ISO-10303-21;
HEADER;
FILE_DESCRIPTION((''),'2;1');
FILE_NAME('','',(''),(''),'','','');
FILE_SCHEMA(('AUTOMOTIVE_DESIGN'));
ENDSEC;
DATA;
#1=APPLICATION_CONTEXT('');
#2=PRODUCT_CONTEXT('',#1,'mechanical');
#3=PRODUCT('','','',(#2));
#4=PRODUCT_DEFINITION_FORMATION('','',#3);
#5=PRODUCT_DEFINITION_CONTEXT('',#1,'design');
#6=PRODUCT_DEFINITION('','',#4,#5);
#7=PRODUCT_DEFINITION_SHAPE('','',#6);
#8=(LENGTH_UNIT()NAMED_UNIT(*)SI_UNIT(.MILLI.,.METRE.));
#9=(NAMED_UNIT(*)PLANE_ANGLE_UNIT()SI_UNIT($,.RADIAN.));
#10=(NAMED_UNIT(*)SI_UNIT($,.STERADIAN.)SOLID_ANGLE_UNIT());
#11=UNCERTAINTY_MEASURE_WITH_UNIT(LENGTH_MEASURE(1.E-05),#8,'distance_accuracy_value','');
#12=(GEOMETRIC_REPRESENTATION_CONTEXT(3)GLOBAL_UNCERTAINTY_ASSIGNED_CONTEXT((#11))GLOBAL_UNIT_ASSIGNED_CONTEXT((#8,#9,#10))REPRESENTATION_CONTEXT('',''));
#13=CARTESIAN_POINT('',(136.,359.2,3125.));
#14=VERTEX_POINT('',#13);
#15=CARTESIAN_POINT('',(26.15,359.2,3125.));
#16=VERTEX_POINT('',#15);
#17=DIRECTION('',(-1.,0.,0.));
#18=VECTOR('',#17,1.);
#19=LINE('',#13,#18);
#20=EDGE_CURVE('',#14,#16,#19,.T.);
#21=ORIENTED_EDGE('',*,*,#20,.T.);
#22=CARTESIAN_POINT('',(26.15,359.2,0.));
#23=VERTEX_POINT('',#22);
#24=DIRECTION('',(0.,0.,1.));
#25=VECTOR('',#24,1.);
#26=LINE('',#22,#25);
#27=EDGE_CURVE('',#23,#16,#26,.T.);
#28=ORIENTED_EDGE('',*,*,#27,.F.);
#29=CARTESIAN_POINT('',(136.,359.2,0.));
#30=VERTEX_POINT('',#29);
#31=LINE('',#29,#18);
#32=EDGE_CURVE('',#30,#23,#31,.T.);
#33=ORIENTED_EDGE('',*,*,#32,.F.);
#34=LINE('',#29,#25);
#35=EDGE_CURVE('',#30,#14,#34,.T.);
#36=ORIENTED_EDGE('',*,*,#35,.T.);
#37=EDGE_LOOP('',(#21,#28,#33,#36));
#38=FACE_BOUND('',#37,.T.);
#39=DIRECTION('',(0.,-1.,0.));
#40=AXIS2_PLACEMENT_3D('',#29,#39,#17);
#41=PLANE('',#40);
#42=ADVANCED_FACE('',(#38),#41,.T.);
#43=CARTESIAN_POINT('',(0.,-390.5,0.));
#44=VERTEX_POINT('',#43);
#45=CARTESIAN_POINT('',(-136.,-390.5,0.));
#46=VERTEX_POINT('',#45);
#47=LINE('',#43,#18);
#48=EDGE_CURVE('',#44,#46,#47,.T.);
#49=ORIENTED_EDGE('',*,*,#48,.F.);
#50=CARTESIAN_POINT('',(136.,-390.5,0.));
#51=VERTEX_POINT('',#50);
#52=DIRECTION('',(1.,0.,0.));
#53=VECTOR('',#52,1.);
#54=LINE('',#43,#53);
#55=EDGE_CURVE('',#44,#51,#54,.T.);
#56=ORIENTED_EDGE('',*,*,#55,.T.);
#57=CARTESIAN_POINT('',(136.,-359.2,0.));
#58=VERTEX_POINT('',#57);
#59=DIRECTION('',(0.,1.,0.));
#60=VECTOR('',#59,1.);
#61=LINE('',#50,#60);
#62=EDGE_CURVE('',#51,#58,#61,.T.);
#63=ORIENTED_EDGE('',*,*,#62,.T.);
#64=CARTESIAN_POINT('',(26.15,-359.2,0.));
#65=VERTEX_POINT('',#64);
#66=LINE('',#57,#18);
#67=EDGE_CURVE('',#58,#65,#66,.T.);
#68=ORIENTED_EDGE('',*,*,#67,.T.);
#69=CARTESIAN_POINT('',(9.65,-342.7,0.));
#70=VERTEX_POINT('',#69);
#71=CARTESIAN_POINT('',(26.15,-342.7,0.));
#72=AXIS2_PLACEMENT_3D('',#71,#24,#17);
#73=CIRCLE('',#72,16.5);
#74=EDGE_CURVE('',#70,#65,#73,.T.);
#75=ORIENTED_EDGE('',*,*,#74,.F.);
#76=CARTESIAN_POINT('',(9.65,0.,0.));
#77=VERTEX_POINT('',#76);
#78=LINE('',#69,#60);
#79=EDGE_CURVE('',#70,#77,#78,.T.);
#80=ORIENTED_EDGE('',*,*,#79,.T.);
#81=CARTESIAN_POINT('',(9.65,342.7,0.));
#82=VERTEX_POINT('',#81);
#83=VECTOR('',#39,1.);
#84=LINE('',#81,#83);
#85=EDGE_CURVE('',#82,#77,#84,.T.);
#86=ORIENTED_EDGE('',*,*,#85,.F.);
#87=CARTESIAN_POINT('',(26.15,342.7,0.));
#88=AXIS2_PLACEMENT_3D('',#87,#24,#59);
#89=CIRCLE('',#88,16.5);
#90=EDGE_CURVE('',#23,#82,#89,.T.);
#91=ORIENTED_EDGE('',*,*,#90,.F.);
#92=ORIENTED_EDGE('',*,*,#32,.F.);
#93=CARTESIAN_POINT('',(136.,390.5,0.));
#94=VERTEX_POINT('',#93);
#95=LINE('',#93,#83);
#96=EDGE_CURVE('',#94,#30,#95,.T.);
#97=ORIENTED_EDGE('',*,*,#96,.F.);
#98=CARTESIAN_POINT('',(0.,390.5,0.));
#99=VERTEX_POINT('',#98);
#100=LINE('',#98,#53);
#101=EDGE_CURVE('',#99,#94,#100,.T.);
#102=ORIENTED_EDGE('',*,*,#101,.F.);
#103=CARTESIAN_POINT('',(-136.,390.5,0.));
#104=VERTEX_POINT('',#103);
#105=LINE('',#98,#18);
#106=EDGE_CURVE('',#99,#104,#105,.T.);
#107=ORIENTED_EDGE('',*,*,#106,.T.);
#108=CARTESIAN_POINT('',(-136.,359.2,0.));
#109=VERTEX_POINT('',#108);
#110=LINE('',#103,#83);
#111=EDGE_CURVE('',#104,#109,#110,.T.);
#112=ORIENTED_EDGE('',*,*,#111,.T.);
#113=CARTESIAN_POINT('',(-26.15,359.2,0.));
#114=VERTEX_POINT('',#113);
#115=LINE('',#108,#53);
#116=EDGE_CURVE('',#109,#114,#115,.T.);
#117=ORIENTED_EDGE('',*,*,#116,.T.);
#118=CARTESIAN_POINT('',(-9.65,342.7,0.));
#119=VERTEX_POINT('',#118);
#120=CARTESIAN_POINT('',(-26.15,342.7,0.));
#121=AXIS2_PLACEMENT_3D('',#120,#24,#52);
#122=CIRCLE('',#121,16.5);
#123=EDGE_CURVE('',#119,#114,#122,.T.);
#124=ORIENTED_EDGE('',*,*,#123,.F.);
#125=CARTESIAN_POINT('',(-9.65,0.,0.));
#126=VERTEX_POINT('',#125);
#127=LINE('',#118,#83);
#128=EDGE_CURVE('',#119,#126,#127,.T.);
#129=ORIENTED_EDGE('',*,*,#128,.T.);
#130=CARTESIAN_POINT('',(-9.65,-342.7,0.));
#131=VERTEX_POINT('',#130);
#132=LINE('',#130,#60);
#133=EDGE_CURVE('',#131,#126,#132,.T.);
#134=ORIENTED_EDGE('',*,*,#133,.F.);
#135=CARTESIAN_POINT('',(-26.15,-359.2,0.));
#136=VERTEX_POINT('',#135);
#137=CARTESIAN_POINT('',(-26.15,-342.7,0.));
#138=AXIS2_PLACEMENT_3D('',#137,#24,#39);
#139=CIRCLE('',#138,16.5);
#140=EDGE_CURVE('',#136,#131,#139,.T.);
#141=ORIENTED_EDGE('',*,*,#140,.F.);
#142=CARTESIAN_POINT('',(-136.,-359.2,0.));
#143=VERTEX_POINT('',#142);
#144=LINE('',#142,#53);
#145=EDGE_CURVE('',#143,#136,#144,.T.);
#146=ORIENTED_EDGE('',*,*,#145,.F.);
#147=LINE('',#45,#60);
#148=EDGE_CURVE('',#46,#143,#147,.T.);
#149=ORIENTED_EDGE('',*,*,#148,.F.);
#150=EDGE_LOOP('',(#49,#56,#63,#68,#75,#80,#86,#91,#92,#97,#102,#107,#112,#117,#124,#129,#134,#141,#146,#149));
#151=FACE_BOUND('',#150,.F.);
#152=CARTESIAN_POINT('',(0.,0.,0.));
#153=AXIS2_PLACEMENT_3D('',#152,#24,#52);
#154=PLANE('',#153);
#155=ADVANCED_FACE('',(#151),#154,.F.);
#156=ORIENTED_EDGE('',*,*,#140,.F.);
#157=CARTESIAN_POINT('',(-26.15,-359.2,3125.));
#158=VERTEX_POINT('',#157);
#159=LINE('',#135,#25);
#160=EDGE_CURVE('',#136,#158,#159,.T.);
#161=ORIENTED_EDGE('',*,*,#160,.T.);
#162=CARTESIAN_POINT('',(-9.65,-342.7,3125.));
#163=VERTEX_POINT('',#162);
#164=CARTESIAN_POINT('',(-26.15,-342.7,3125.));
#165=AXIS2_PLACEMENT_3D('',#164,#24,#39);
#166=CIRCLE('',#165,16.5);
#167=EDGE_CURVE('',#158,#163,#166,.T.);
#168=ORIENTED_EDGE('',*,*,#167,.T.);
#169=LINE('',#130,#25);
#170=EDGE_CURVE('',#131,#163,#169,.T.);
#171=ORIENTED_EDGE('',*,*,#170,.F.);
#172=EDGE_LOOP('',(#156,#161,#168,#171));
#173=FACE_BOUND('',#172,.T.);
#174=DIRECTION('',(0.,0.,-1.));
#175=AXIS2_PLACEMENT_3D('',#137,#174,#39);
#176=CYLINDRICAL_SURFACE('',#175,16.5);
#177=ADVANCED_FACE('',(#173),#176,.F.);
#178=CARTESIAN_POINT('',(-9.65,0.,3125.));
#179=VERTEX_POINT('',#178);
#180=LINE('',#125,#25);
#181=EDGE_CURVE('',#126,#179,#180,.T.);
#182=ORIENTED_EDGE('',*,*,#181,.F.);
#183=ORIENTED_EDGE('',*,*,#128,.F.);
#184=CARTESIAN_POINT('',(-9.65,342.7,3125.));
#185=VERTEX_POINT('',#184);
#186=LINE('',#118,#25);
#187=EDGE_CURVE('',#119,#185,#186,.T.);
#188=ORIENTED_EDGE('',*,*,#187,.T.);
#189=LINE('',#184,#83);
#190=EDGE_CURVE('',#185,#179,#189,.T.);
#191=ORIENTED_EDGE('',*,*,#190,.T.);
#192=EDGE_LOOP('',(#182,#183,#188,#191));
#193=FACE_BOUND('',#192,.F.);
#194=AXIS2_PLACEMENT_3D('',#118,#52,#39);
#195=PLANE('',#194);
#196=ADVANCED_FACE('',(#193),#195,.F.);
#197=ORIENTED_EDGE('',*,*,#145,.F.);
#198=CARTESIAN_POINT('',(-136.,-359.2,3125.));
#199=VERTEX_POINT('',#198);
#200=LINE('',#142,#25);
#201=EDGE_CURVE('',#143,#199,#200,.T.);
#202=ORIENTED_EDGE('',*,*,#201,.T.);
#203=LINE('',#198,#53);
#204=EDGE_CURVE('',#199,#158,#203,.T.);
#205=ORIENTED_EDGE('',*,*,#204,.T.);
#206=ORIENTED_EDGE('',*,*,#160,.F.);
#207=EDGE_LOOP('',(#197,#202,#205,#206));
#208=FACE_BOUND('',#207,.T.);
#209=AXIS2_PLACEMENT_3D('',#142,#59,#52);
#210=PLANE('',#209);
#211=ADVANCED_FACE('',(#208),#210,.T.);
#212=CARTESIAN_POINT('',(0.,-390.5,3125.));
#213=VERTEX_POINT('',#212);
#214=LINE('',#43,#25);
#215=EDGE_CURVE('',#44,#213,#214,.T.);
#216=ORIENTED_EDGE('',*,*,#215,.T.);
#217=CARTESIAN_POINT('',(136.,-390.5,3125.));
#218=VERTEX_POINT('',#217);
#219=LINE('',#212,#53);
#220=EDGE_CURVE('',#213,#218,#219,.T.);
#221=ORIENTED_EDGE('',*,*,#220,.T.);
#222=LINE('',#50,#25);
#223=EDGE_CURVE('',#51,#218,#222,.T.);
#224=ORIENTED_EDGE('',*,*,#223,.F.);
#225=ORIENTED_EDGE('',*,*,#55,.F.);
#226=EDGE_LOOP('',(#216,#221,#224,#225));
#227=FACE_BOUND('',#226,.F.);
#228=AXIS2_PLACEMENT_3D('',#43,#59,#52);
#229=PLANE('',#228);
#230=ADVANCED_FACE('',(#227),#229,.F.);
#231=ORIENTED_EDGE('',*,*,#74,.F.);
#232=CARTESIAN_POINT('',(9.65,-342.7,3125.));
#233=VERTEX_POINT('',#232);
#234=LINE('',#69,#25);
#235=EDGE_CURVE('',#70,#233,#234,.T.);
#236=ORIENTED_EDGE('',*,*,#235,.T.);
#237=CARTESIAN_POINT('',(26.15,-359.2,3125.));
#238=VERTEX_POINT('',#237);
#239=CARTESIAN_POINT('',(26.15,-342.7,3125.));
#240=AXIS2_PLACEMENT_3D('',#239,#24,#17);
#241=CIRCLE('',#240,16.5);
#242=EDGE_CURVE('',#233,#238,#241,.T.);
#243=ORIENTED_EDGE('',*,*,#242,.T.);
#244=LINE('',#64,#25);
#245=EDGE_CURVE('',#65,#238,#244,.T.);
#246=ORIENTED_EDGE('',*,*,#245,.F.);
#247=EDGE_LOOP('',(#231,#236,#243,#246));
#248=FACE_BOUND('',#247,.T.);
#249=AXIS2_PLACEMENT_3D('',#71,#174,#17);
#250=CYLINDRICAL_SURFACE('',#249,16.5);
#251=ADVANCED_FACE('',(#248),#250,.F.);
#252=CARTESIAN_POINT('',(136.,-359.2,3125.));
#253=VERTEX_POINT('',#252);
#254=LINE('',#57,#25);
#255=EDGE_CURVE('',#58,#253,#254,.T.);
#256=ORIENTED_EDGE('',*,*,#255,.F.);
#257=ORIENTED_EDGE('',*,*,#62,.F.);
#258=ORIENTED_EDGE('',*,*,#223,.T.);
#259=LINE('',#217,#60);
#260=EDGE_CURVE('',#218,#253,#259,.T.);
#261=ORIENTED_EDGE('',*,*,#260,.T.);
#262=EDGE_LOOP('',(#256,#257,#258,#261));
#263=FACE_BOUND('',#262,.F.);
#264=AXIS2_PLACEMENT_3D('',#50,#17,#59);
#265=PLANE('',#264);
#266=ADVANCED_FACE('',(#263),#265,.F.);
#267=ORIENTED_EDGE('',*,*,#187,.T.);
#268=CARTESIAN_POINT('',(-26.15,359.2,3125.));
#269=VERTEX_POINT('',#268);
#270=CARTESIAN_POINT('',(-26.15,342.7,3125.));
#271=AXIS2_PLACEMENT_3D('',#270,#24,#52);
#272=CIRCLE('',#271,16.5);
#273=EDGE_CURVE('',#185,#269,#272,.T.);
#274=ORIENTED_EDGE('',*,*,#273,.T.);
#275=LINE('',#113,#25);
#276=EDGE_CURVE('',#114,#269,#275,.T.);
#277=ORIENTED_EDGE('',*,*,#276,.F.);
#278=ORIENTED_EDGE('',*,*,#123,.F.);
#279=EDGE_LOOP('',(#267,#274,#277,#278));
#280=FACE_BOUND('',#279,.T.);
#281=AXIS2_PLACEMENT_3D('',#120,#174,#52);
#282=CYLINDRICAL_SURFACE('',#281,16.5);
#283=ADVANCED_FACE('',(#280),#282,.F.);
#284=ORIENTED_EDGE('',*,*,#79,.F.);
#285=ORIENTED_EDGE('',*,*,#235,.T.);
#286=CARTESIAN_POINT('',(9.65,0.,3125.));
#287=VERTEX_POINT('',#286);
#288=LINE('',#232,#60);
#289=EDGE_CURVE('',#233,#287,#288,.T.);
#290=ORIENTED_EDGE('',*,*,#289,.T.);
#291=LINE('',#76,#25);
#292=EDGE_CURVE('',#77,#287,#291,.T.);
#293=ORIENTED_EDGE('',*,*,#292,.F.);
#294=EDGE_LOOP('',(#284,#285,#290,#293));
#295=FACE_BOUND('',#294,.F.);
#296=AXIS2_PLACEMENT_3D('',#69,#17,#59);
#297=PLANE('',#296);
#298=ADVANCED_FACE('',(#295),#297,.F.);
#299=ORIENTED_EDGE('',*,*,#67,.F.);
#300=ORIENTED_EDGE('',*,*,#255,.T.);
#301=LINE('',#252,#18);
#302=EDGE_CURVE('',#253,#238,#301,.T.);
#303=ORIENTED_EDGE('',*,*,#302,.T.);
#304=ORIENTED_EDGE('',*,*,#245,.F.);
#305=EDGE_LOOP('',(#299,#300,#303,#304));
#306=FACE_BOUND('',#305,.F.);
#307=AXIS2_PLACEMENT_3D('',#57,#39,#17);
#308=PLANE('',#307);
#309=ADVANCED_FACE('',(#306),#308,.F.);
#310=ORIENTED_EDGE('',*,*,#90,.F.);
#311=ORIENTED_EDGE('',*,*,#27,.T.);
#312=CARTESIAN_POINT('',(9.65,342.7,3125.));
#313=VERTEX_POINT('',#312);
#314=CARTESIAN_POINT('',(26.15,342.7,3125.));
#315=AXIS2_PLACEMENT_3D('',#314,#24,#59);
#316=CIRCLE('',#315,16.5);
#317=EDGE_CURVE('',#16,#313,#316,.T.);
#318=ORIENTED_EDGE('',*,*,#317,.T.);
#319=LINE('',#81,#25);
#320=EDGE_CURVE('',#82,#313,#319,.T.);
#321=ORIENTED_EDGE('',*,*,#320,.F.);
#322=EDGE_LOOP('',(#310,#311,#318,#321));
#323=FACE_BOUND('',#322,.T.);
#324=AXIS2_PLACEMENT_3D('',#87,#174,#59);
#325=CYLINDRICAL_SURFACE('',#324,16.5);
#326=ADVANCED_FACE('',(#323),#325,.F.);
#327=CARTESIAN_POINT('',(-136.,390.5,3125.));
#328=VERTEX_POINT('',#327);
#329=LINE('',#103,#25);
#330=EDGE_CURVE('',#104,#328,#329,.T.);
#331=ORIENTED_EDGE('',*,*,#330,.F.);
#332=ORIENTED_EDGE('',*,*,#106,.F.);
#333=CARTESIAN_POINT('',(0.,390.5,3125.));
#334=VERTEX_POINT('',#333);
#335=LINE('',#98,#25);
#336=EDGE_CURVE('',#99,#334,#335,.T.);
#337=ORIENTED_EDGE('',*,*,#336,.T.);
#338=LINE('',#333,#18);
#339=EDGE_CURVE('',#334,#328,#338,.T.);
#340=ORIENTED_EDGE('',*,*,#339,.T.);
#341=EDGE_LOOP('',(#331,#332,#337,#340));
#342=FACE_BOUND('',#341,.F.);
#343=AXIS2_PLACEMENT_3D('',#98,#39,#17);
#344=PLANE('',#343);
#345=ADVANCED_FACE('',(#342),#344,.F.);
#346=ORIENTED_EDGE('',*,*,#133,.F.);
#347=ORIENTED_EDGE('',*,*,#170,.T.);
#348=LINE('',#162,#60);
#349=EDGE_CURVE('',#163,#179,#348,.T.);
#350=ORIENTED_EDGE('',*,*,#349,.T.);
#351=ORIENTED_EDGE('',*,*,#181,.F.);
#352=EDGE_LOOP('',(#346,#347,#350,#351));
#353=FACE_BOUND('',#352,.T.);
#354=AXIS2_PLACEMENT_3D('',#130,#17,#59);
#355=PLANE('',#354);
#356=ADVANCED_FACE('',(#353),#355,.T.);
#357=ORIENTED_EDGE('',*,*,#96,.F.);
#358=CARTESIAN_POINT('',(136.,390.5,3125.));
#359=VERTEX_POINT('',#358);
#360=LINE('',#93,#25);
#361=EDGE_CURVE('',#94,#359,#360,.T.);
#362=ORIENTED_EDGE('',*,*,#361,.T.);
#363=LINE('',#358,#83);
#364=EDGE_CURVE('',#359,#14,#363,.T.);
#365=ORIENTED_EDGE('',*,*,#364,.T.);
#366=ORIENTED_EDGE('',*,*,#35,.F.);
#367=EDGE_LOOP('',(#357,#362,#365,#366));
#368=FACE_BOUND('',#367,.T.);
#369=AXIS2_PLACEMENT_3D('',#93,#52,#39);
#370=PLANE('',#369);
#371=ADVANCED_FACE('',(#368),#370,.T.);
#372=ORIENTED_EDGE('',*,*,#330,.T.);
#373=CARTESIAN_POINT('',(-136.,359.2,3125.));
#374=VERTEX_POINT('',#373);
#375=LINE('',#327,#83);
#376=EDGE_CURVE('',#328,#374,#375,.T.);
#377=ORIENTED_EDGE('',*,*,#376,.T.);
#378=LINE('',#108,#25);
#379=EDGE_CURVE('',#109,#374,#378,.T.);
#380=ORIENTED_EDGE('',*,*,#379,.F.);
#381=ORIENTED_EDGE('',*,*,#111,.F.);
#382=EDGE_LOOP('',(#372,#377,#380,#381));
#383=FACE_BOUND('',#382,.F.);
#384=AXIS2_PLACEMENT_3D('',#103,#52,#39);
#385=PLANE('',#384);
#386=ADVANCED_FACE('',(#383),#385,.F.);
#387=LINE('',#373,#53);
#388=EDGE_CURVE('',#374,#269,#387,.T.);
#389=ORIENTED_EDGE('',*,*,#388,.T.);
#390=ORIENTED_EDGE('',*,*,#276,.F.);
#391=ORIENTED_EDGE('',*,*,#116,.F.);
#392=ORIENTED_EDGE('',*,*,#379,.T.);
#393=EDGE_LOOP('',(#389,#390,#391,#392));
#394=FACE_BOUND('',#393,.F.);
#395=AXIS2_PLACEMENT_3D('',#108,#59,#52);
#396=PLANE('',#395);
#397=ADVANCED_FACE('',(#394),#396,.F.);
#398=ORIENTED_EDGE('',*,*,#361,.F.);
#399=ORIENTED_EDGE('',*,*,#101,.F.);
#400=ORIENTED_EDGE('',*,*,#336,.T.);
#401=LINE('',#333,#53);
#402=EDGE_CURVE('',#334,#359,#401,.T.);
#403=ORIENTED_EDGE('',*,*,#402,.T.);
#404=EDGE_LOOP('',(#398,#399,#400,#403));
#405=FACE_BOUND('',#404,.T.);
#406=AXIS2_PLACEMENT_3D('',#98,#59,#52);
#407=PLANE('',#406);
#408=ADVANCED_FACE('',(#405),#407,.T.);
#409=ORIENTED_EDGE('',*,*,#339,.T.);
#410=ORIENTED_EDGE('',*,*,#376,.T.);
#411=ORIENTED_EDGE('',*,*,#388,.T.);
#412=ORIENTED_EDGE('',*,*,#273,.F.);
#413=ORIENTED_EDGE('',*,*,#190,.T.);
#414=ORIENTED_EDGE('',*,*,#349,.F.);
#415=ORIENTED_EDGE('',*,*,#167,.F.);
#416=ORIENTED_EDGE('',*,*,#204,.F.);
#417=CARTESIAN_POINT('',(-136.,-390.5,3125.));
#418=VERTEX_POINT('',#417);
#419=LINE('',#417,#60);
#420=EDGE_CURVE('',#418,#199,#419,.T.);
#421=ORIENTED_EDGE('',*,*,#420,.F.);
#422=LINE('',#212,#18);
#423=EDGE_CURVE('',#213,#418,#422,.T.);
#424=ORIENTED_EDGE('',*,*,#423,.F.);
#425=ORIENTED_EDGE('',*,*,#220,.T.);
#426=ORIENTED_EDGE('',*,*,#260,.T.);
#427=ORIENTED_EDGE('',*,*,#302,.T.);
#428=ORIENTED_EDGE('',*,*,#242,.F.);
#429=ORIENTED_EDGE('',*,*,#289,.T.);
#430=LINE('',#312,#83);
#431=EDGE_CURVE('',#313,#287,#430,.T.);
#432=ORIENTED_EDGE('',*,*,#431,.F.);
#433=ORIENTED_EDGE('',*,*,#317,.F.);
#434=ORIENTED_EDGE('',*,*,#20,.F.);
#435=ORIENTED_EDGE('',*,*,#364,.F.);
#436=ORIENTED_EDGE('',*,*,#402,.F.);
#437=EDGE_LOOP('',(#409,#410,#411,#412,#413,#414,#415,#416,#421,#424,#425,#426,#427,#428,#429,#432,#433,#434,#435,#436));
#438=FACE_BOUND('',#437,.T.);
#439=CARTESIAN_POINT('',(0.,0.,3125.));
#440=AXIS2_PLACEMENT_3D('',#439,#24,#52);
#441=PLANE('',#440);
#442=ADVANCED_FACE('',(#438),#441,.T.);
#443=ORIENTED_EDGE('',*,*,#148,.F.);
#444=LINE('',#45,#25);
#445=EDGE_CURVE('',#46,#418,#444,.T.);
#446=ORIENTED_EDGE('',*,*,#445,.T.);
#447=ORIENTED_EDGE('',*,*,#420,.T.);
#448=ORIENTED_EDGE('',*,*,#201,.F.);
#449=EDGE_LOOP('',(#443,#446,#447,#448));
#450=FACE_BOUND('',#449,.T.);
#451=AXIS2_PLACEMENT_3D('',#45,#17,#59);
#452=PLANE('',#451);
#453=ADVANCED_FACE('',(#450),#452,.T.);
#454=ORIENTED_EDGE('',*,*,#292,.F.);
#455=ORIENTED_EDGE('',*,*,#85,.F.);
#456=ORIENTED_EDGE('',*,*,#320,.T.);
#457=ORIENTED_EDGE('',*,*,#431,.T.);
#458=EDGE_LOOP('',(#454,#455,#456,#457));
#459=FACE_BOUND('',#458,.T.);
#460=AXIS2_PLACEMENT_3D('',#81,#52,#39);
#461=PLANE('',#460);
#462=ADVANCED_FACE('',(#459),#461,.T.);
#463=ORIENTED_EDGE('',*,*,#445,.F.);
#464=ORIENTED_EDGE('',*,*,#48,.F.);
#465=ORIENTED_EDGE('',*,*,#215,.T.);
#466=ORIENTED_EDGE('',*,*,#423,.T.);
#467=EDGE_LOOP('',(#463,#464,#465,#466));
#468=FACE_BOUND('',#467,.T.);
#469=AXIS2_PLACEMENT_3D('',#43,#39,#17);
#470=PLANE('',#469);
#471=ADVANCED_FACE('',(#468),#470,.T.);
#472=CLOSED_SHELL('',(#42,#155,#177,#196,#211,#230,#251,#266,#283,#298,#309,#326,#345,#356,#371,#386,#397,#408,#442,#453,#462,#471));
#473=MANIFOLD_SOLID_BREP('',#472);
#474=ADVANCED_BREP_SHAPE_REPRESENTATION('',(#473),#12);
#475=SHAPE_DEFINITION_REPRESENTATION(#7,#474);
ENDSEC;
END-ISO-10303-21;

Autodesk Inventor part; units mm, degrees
ref_plane "YZ Plane" through (0, 0, 0) normal (1, 0, 0) x (0, 1, 0)
ref_plane "Start plane" through (0, 0, 0) normal (0, 0, 1) x (1, 0, 0)
ref_plane "End plane" through (0, 0, 3125) normal (0, 0, 1) x (1, 0, 0)
sketch "Sketch" plane through (0, 0, 0) normal (0, 0, 1) x (1, 0, 0)
  line L0 (-136, -390.5) -> (-136, -359.2)
  line L1 (-136, -359.2) -> (-26.15, -359.2)
  line L2 (-9.65, -342.7) -> (-9.65, 0)
  line L3 (-9.65, 0) -> (0, 0) construction
  line L4 (0, 0) -> (0, -390.5) construction
  line L5 (0, -390.5) -> (-136, -390.5)
  line L6 (-60, 0) -> (80, 0) construction
  line L7 (0, -60) -> (0, 80) construction
  line L8 (136, -390.5) -> (136, -359.2)
  line L9 (136, -359.2) -> (26.15, -359.2)
  line L10 (9.65, -342.7) -> (9.65, 0)
  line L11 (9.65, 0) -> (0, 0) construction
  line L12 (0, -390.5) -> (136, -390.5)
  line L13 (-136, 390.5) -> (-136, 359.2)
  line L14 (-136, 359.2) -> (-26.15, 359.2)
  line L15 (-9.65, 342.7) -> (-9.65, 0)
  line L16 (0, 390.5) -> (-136, 390.5)
  line L17 (136, 390.5) -> (136, 359.2)
  line L18 (136, 359.2) -> (26.15, 359.2)
  line L19 (0, 390.5) -> (136, 390.5)
  line L20 (9.65, 342.7) -> (9.65, 0)
  arc A0 (-9.65, 342.7) -> (-26.15, 359.2) centre (-26.15, 342.7) ccw
  arc A1 (26.15, 359.2) -> (9.65, 342.7) centre (26.15, 342.7) ccw
  arc A2 (9.65, -342.7) -> (26.15, -359.2) centre (26.15, -342.7) ccw
  arc A3 (-26.15, -359.2) -> (-9.65, -342.7) centre (-26.15, -342.7) ccw
  line L21 (0, 108) -> (0, -88) construction
  line L22 (-88, 0) -> (108, 0) construction
  point P0 (-9.65, -359.2)
  point P1 (9.65, -359.2)
  point P2 (-9.65, 359.2)
  point P3 (9.65, 359.2)
  dimension "d1" = 390.5
  dimension "d2" = 31.3
  dimension "d3" = 136
  dimension "d4" = 9.65
  dimension "d10" = 16.5
extrude "Body" add sketch "Sketch" along normal up to surface (3125 mm away) from surface at 0
sketch "Sketch4" plane through (0, 0, 0) normal (0, 0, 1) x (1, 0, 0)
  line L0 (0, 0) -> (10, 0)
ref_plane "Work Plane3" through (0, 0, 0) normal (0, -1, 0) x (1, 0, 0)
sketch "Sketch5" plane through (0, 0, 0) normal (0, -1, 0) x (1, 0, 0)
  line L0 (-2, 0) -> (12, 0) projected
  line L1 (-2, 3125) -> (12, 3125) projected
  dimension "d14" = 3125
equation "\"d1\" = 0.5 * G_H"
equation "\"d2\" = G_T1"
equation "\"d3\" = 0.5 * G_W"
equation "\"d4\" = 0.5 * G_T"
equation "\"d10\" = G_IR"
equation "\"d5\" = G_L"
equation "\"G_W\" = 272"
equation "\"G_H\" = 781"
equation "\"G_T\" = 19.3"
equation "\"G_T1\" = 31.3"
equation "\"G_IR\" = 16.5"
equation "\"G_L\" = d14"
equation "\"G_OFFSET_START\" = 0"
equation "\"G_OFFSET_END\" = 0"
equation "\"d12\" = G_OFFSET_END + B_L"
equation "\"B_L\" = 3125"
properties part number "AS 3679-1990 - 760 UB - 244 - 3125" material "Steel, Mild"
